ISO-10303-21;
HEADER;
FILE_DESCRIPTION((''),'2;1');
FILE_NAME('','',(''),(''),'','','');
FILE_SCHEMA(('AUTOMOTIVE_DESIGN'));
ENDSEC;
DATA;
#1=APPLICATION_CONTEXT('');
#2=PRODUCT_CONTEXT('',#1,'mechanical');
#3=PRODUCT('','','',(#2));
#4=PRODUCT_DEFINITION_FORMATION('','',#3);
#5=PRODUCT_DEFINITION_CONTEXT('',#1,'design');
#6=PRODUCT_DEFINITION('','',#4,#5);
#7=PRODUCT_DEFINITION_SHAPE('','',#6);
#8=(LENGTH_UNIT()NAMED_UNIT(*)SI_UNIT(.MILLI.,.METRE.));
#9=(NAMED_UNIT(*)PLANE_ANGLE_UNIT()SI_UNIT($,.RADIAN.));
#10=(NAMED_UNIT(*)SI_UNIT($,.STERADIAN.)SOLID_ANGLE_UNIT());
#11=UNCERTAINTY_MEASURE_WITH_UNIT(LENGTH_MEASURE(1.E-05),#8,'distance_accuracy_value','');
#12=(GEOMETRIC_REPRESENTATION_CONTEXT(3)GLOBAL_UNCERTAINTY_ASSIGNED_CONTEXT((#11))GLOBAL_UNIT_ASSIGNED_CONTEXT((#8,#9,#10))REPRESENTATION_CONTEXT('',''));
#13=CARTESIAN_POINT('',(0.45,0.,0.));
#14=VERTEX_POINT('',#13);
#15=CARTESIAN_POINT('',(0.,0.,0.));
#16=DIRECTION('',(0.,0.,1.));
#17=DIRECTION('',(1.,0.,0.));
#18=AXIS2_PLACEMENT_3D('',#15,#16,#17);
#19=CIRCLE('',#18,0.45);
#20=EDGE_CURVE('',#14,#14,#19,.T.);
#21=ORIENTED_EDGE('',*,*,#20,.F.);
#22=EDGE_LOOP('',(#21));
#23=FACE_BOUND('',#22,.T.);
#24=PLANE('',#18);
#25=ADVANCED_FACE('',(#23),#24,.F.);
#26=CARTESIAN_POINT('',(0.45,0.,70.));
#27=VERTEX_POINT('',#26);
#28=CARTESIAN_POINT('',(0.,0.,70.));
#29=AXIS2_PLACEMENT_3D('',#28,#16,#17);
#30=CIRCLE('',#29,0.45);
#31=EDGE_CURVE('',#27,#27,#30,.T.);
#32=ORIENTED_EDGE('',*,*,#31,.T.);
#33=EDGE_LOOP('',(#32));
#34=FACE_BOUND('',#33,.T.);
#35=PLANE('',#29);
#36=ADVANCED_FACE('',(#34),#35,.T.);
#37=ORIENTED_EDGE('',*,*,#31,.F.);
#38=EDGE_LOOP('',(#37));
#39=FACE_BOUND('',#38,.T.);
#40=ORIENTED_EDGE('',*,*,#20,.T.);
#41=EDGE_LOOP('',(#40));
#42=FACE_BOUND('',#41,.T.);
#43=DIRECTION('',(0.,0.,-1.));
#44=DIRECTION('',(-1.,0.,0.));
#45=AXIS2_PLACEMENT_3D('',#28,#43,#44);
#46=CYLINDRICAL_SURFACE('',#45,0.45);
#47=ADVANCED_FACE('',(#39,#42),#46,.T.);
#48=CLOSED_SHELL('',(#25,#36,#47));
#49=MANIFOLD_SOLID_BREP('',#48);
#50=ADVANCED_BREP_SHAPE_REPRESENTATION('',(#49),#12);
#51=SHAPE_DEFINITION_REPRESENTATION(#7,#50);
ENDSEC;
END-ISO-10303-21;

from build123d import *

# Parameters (mm, degrees)
SKETCH_1_R      = 0.45
EXTRUDE_1_DEPTH = 70


with BuildPart() as part:
    # 草图1 → 凸台-拉伸1 (new body)
    with BuildSketch(Plane.XY):
        Circle(SKETCH_1_R)
    extrude(amount=EXTRUDE_1_DEPTH)


solid = part.part
